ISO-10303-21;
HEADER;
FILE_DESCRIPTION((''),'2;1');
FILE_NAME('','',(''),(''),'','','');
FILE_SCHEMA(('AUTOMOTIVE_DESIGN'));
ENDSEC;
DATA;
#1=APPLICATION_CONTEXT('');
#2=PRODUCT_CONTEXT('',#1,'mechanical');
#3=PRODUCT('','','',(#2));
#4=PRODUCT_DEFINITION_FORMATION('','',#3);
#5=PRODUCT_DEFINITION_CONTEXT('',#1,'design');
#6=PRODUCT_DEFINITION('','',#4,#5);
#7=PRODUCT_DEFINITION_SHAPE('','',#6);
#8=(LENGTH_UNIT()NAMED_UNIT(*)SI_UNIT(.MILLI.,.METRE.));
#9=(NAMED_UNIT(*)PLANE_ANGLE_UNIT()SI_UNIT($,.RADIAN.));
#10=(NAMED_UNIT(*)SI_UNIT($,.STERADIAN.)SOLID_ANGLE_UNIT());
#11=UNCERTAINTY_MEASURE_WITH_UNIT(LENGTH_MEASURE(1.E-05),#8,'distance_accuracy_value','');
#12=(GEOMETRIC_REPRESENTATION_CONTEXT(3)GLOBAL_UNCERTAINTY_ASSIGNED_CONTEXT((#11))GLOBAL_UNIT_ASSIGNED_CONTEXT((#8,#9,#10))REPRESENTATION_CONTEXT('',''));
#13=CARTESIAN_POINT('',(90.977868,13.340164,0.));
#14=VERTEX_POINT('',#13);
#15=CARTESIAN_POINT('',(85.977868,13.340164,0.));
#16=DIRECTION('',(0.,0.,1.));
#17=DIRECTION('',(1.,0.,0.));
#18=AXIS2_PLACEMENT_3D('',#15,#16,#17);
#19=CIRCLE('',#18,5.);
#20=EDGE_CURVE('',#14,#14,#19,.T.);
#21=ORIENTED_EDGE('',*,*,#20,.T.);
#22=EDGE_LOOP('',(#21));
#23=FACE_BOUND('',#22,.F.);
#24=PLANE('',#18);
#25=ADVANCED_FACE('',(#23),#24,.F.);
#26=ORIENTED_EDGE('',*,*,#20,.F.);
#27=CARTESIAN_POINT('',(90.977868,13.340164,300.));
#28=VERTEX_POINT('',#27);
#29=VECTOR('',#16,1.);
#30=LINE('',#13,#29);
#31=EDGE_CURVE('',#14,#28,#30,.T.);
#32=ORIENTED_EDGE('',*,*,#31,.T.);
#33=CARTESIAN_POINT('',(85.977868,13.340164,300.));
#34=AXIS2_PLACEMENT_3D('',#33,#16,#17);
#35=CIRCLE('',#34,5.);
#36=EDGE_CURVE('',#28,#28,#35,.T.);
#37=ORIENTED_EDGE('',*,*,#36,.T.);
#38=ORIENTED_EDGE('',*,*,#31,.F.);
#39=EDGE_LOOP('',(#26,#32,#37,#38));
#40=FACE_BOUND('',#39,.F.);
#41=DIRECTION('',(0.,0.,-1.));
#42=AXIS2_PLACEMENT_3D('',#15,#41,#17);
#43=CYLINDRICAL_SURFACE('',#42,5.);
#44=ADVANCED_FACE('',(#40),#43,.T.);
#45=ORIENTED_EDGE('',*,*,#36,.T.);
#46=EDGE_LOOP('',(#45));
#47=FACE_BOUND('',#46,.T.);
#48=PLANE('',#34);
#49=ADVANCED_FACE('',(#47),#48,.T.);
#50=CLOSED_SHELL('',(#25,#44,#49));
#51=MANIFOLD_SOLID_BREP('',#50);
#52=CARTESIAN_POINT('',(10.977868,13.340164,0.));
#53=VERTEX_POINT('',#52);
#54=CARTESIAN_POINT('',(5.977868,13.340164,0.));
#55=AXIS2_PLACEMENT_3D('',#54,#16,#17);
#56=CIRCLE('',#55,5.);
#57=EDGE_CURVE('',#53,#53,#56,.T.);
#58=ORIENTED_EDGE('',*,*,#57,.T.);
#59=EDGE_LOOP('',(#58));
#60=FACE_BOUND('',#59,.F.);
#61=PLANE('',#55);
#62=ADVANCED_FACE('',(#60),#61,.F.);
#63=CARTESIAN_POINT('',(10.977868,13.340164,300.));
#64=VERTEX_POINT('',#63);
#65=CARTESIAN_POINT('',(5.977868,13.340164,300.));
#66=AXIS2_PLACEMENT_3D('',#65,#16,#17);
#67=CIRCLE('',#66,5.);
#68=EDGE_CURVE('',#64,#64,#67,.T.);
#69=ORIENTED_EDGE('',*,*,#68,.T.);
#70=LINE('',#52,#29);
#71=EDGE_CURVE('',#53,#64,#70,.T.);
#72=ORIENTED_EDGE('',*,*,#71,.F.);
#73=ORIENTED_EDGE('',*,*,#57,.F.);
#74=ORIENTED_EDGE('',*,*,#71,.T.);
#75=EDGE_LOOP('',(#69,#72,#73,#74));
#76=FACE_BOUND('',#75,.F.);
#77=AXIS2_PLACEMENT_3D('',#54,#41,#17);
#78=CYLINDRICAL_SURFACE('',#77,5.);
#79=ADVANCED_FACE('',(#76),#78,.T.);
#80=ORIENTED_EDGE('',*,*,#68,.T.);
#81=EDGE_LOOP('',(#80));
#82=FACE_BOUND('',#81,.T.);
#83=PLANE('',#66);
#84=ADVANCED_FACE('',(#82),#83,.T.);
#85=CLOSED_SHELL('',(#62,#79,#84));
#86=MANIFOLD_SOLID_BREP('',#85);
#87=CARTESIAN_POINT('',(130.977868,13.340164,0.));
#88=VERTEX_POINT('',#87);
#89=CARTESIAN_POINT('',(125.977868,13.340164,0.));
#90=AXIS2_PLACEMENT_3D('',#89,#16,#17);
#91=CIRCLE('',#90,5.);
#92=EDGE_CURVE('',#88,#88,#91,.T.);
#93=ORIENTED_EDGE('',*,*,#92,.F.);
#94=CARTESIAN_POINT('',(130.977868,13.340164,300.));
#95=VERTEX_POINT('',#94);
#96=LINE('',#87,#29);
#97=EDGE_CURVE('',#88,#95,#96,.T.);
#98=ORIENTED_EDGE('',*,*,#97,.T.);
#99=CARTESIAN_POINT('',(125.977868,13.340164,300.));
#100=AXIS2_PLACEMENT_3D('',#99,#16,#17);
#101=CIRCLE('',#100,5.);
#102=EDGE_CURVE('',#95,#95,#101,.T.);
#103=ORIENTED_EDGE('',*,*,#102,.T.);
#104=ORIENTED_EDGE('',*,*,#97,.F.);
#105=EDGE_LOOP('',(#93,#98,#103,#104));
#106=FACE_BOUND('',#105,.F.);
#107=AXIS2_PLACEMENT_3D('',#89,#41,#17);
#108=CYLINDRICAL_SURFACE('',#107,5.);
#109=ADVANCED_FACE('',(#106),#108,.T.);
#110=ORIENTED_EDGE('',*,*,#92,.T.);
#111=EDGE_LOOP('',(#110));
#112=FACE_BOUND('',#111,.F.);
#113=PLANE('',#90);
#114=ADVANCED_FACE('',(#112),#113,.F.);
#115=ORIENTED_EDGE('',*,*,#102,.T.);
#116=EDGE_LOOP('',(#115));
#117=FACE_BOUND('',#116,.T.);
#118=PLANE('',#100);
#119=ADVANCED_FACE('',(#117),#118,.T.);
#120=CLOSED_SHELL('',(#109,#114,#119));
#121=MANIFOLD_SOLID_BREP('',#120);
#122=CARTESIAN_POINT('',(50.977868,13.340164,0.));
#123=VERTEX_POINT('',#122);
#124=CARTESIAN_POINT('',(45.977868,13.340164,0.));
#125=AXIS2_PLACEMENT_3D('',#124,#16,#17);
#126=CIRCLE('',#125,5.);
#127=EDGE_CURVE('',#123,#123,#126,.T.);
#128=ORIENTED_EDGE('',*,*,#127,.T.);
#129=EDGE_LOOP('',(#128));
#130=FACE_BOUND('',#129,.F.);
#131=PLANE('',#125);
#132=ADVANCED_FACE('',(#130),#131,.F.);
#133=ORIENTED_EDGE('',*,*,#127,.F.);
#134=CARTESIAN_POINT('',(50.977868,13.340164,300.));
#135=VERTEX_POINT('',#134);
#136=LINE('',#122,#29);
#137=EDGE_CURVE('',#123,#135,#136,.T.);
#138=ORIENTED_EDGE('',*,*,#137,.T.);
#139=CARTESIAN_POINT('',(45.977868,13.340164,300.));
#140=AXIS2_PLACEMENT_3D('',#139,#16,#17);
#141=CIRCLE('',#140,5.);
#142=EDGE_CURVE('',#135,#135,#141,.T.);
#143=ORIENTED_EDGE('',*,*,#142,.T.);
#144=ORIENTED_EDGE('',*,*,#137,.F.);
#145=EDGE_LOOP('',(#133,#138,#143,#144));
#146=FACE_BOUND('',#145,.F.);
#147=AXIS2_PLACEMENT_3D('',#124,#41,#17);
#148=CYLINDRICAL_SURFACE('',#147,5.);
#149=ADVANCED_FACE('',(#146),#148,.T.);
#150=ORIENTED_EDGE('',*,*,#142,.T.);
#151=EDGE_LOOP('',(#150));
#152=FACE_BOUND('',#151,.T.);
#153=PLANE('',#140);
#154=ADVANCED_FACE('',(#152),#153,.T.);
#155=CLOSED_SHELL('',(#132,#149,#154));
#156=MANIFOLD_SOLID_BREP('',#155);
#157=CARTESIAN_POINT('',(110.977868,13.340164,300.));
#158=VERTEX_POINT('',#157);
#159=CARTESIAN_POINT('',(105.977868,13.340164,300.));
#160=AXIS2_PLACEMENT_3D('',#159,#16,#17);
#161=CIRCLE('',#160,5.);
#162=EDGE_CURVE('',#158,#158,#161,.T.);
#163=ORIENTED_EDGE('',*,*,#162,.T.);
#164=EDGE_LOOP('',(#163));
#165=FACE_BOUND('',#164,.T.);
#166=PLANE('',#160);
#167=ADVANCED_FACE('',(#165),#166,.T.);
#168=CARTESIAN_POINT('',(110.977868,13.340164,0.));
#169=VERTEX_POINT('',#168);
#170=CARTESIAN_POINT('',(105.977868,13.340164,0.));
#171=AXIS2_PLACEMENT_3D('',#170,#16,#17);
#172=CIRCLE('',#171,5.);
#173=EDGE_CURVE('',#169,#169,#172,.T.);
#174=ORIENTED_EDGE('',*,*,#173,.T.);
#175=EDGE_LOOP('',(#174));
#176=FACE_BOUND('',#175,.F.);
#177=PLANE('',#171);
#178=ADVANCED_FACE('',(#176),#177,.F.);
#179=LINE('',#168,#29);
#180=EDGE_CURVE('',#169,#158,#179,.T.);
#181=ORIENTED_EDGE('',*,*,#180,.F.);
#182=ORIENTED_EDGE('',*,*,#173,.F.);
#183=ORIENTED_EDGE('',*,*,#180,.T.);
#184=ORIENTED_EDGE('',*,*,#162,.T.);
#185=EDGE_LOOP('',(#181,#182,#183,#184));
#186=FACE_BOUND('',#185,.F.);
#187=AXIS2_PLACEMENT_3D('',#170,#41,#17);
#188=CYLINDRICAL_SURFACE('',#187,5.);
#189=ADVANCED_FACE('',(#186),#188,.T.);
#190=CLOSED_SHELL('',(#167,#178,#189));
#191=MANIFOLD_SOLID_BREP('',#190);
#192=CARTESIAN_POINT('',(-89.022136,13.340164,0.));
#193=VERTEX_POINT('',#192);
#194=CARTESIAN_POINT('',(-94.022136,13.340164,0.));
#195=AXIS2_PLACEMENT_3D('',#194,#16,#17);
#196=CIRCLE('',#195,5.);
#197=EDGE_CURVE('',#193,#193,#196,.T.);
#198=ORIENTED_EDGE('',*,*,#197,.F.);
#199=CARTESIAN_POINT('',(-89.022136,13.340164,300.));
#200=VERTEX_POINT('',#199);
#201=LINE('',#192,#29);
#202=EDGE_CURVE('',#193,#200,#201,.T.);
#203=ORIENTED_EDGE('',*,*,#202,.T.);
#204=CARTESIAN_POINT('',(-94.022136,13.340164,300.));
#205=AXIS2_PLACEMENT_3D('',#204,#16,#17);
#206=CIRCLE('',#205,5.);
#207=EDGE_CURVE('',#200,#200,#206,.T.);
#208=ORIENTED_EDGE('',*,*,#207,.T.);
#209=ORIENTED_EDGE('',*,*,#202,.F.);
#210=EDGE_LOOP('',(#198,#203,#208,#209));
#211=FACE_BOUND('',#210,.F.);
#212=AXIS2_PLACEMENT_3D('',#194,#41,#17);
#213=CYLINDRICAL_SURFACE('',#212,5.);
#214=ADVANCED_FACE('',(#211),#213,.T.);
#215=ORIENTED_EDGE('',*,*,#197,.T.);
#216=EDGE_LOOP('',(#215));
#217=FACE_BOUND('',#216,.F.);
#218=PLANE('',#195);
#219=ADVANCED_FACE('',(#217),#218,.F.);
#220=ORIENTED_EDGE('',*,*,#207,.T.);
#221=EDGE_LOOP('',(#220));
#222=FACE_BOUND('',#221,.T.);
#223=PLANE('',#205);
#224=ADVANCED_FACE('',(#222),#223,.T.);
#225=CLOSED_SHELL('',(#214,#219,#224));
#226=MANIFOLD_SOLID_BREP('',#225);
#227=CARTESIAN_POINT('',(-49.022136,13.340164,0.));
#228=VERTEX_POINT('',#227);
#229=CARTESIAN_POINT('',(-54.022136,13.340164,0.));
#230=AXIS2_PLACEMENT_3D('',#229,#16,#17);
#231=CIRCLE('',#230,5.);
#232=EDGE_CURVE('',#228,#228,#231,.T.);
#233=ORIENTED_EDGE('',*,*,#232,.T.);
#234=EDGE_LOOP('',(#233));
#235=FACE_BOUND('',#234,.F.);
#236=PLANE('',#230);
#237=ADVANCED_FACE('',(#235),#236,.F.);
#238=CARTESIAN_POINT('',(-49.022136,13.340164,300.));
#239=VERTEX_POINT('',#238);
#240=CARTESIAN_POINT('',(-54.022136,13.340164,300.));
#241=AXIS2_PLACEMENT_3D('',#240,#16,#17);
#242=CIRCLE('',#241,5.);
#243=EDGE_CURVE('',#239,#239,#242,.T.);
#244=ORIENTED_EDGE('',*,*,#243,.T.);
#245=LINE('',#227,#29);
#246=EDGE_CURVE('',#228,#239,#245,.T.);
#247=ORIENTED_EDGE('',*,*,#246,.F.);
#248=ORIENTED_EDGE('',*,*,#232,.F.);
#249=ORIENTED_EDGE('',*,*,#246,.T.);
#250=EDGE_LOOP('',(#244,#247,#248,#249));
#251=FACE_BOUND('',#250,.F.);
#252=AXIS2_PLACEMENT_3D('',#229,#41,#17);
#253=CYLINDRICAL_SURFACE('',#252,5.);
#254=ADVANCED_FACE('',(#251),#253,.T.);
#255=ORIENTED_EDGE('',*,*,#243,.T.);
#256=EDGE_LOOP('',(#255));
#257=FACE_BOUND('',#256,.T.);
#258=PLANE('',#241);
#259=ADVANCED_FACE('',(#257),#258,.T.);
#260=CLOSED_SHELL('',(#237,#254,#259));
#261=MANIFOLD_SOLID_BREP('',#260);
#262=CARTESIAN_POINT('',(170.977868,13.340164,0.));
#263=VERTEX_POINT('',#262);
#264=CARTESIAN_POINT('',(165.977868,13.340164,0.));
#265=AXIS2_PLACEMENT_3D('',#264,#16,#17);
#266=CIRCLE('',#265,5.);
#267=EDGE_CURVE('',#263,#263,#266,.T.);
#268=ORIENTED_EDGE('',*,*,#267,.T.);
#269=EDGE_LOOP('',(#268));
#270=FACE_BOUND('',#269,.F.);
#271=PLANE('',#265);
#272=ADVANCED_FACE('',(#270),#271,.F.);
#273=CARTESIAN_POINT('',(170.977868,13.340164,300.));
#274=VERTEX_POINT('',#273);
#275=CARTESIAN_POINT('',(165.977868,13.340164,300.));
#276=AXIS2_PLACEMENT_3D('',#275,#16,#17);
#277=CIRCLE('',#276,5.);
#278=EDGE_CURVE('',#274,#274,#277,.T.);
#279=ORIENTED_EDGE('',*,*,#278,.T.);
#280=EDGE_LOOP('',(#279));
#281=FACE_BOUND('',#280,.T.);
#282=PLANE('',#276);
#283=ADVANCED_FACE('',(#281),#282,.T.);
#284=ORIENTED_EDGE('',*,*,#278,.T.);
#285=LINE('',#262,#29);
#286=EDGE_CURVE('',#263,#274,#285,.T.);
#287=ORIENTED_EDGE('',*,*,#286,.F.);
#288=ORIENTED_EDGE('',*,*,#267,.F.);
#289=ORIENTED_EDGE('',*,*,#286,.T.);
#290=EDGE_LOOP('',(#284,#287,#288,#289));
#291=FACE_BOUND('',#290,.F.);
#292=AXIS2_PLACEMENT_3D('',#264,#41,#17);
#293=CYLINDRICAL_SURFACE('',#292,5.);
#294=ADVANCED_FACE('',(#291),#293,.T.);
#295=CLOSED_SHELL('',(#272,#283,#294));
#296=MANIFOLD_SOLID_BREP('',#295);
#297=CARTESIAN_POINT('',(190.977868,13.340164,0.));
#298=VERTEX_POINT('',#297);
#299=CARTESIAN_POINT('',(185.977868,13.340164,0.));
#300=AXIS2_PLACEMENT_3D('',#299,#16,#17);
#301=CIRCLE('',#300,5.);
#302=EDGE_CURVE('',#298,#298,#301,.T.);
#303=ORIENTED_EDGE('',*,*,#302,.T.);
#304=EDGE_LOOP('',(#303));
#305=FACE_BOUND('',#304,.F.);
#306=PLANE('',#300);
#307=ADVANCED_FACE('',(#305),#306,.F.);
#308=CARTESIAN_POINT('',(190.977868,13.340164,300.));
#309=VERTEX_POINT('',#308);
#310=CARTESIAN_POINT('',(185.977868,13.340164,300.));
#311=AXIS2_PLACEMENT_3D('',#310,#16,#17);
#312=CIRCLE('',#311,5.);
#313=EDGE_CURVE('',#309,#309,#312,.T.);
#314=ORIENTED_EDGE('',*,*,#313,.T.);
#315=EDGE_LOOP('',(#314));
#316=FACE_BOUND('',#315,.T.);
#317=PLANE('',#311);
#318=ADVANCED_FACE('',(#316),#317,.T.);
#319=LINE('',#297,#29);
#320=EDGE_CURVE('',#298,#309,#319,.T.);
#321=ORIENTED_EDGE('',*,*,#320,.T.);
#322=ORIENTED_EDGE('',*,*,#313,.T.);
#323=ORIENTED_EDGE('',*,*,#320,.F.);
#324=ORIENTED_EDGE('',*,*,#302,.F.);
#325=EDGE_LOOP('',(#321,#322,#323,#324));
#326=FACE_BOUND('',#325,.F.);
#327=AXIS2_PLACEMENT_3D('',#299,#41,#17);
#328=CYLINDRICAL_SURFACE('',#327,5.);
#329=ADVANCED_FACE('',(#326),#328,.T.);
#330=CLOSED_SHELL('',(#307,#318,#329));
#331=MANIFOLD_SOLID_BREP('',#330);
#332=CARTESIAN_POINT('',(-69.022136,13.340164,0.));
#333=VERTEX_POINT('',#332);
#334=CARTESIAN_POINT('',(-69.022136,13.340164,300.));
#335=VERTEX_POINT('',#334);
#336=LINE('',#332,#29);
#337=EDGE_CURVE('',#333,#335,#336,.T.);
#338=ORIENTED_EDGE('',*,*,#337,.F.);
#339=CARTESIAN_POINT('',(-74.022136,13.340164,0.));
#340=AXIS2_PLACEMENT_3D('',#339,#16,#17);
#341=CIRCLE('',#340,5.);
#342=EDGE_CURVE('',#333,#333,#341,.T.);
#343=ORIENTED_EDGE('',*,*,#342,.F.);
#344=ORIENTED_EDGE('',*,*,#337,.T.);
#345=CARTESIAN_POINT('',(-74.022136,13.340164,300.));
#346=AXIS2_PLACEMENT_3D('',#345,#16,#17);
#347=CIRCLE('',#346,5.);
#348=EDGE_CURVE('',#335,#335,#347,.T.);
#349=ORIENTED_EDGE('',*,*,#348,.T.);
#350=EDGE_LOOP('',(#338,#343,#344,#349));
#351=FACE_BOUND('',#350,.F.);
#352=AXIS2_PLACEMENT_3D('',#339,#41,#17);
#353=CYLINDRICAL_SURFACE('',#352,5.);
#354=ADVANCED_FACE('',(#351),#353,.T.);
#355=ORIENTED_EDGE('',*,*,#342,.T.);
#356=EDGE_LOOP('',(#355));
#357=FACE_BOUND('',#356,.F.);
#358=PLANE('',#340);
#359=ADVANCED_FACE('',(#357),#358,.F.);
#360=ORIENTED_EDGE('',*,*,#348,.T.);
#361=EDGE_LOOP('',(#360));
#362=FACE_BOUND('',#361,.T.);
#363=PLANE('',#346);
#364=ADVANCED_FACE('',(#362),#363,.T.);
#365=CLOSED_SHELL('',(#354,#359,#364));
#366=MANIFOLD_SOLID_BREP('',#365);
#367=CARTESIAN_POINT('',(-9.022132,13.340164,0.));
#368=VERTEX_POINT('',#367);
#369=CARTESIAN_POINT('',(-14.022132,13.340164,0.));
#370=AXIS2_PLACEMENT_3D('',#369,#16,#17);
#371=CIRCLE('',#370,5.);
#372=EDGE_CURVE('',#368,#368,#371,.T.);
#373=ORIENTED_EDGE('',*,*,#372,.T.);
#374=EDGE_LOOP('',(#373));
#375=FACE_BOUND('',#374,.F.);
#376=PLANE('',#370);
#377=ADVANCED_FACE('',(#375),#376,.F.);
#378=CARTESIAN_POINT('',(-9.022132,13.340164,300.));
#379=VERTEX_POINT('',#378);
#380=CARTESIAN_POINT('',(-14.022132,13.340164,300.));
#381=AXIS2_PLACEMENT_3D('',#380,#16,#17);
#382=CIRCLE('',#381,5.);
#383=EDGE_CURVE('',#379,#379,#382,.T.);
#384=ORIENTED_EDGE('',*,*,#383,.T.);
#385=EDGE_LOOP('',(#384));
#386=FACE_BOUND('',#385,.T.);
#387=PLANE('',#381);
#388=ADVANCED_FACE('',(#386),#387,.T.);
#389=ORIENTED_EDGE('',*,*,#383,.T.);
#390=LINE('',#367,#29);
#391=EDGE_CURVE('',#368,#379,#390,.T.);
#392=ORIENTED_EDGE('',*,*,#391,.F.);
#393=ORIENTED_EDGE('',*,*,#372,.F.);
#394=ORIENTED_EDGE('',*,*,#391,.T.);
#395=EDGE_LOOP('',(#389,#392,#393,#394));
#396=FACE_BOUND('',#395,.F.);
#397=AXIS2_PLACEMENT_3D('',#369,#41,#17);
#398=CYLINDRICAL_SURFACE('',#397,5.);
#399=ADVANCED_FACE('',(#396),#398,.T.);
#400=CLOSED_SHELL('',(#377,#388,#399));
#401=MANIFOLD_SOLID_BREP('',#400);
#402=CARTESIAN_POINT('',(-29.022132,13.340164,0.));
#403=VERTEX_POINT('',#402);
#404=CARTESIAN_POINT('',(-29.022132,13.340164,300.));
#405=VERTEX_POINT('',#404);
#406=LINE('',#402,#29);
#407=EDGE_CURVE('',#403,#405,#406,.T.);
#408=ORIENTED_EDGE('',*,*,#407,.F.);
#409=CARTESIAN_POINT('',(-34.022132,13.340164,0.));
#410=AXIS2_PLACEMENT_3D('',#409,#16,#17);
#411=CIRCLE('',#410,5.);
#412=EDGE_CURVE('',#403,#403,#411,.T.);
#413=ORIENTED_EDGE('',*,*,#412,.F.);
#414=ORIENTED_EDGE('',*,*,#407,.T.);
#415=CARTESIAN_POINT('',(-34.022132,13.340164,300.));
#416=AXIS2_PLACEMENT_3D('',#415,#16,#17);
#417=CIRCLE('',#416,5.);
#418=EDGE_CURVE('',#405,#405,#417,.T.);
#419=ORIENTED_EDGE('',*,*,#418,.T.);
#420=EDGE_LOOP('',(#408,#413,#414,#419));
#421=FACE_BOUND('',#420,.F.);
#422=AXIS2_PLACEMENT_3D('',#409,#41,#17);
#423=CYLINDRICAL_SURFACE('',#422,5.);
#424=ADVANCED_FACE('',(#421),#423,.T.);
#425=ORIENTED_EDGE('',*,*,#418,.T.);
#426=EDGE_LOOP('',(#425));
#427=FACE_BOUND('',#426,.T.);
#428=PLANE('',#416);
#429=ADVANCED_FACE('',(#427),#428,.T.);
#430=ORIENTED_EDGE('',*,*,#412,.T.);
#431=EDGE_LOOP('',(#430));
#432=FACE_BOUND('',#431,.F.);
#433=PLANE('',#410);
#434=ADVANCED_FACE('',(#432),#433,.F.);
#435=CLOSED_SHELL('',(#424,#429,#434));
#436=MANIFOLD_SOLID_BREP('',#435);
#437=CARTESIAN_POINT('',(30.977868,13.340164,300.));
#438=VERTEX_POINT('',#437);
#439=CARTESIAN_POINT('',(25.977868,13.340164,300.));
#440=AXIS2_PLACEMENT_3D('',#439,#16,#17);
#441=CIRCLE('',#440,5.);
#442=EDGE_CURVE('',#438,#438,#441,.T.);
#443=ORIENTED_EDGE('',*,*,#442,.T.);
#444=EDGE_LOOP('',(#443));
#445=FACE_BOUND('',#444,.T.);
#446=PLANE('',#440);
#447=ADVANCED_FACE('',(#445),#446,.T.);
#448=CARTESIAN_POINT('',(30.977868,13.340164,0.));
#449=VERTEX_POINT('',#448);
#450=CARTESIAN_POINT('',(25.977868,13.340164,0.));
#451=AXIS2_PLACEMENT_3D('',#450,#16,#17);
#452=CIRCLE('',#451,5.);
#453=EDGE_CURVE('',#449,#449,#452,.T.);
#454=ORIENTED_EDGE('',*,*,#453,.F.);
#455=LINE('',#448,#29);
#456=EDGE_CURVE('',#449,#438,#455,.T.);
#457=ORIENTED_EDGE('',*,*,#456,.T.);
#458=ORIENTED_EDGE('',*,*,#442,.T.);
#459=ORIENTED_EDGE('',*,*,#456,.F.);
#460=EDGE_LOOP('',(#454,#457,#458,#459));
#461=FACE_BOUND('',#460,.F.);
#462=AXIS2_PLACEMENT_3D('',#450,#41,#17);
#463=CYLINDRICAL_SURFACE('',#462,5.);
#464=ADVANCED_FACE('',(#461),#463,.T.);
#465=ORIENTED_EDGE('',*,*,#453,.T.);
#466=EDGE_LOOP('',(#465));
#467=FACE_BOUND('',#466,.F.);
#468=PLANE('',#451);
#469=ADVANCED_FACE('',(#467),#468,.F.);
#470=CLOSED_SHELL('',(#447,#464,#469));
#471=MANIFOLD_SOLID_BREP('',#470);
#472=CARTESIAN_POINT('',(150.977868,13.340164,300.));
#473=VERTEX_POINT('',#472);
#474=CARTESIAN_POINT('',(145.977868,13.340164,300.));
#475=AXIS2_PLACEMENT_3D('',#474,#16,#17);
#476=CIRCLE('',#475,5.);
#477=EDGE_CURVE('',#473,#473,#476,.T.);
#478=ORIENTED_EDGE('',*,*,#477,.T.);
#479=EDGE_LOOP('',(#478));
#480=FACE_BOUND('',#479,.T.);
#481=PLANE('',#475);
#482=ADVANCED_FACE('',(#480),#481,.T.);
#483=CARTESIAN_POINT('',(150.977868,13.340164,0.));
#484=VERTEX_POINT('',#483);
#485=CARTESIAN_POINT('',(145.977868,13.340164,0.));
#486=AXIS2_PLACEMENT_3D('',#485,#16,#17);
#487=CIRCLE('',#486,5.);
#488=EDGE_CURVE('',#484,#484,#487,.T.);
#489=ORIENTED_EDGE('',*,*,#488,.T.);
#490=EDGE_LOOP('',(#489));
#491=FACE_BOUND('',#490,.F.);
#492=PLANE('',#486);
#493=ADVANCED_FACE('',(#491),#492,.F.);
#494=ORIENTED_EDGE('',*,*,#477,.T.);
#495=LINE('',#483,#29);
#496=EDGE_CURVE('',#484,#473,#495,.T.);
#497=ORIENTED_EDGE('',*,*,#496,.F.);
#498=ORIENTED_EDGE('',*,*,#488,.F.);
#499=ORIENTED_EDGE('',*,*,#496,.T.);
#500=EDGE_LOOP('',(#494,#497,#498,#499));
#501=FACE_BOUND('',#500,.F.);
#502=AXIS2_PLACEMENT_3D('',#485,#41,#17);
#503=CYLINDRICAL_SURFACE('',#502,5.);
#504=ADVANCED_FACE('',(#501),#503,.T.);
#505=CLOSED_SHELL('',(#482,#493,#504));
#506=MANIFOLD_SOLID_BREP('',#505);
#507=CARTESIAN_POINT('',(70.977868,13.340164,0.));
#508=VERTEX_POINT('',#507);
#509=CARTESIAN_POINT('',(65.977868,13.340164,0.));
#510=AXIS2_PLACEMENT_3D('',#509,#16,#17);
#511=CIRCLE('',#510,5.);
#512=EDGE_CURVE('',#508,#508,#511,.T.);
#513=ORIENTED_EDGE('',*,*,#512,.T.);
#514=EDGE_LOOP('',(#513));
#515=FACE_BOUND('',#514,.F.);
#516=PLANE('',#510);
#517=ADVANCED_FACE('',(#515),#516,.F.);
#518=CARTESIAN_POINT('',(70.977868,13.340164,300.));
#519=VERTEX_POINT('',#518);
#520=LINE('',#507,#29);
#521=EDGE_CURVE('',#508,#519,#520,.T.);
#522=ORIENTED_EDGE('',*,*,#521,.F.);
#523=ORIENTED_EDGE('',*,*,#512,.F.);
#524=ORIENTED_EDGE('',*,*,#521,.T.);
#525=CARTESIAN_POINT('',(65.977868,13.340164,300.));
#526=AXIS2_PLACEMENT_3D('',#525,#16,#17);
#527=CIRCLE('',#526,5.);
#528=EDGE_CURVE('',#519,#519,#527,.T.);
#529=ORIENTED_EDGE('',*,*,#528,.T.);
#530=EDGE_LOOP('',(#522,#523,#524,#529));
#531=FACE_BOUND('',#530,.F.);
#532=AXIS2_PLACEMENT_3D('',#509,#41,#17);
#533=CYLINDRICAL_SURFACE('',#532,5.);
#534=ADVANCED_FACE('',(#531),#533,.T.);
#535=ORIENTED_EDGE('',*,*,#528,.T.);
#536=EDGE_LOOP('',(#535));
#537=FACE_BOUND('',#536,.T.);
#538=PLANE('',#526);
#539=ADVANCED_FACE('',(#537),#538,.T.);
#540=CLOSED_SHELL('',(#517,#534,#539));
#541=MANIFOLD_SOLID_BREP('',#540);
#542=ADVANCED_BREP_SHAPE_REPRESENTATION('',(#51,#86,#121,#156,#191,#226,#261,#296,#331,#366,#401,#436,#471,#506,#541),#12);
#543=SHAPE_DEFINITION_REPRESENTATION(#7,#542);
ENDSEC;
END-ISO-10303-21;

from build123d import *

# Parameters (mm, degrees)
F0_R     = 5
F1_DEPTH = 300


with BuildPart() as f1:
    # F0 (on Top) → F1 (new body)
    with BuildSketch(Plane.XY):
        with Locations((-94.022136, 13.340164)):
            Circle(F0_R)
        with Locations((-74.022136, 13.340164)):
            Circle(F0_R)
        with Locations((-54.022136, 13.340164)):
            Circle(F0_R)
        with Locations((-34.022132, 13.340164)):
            Circle(F0_R)
        with Locations((-14.022132, 13.340164)):
            Circle(F0_R)
        with Locations((5.977868, 13.340164)):
            Circle(F0_R)
        with Locations((25.977868, 13.340164)):
            Circle(F0_R)
        with Locations((45.977868, 13.340164)):
            Circle(F0_R)
        with Locations((65.977868, 13.340164)):
            Circle(F0_R)
        with Locations((85.977868, 13.340164)):
            Circle(F0_R)
        with Locations((105.977868, 13.340164)):
            Circle(F0_R)
        with Locations((125.977868, 13.340164)):
            Circle(F0_R)
        with Locations((145.977868, 13.340164)):
            Circle(F0_R)
        with Locations((165.977868, 13.340164)):
            Circle(F0_R)
        with Locations((185.977868, 13.340164)):
            Circle(F0_R)
    extrude(amount=F1_DEPTH)


solid = f1.part
